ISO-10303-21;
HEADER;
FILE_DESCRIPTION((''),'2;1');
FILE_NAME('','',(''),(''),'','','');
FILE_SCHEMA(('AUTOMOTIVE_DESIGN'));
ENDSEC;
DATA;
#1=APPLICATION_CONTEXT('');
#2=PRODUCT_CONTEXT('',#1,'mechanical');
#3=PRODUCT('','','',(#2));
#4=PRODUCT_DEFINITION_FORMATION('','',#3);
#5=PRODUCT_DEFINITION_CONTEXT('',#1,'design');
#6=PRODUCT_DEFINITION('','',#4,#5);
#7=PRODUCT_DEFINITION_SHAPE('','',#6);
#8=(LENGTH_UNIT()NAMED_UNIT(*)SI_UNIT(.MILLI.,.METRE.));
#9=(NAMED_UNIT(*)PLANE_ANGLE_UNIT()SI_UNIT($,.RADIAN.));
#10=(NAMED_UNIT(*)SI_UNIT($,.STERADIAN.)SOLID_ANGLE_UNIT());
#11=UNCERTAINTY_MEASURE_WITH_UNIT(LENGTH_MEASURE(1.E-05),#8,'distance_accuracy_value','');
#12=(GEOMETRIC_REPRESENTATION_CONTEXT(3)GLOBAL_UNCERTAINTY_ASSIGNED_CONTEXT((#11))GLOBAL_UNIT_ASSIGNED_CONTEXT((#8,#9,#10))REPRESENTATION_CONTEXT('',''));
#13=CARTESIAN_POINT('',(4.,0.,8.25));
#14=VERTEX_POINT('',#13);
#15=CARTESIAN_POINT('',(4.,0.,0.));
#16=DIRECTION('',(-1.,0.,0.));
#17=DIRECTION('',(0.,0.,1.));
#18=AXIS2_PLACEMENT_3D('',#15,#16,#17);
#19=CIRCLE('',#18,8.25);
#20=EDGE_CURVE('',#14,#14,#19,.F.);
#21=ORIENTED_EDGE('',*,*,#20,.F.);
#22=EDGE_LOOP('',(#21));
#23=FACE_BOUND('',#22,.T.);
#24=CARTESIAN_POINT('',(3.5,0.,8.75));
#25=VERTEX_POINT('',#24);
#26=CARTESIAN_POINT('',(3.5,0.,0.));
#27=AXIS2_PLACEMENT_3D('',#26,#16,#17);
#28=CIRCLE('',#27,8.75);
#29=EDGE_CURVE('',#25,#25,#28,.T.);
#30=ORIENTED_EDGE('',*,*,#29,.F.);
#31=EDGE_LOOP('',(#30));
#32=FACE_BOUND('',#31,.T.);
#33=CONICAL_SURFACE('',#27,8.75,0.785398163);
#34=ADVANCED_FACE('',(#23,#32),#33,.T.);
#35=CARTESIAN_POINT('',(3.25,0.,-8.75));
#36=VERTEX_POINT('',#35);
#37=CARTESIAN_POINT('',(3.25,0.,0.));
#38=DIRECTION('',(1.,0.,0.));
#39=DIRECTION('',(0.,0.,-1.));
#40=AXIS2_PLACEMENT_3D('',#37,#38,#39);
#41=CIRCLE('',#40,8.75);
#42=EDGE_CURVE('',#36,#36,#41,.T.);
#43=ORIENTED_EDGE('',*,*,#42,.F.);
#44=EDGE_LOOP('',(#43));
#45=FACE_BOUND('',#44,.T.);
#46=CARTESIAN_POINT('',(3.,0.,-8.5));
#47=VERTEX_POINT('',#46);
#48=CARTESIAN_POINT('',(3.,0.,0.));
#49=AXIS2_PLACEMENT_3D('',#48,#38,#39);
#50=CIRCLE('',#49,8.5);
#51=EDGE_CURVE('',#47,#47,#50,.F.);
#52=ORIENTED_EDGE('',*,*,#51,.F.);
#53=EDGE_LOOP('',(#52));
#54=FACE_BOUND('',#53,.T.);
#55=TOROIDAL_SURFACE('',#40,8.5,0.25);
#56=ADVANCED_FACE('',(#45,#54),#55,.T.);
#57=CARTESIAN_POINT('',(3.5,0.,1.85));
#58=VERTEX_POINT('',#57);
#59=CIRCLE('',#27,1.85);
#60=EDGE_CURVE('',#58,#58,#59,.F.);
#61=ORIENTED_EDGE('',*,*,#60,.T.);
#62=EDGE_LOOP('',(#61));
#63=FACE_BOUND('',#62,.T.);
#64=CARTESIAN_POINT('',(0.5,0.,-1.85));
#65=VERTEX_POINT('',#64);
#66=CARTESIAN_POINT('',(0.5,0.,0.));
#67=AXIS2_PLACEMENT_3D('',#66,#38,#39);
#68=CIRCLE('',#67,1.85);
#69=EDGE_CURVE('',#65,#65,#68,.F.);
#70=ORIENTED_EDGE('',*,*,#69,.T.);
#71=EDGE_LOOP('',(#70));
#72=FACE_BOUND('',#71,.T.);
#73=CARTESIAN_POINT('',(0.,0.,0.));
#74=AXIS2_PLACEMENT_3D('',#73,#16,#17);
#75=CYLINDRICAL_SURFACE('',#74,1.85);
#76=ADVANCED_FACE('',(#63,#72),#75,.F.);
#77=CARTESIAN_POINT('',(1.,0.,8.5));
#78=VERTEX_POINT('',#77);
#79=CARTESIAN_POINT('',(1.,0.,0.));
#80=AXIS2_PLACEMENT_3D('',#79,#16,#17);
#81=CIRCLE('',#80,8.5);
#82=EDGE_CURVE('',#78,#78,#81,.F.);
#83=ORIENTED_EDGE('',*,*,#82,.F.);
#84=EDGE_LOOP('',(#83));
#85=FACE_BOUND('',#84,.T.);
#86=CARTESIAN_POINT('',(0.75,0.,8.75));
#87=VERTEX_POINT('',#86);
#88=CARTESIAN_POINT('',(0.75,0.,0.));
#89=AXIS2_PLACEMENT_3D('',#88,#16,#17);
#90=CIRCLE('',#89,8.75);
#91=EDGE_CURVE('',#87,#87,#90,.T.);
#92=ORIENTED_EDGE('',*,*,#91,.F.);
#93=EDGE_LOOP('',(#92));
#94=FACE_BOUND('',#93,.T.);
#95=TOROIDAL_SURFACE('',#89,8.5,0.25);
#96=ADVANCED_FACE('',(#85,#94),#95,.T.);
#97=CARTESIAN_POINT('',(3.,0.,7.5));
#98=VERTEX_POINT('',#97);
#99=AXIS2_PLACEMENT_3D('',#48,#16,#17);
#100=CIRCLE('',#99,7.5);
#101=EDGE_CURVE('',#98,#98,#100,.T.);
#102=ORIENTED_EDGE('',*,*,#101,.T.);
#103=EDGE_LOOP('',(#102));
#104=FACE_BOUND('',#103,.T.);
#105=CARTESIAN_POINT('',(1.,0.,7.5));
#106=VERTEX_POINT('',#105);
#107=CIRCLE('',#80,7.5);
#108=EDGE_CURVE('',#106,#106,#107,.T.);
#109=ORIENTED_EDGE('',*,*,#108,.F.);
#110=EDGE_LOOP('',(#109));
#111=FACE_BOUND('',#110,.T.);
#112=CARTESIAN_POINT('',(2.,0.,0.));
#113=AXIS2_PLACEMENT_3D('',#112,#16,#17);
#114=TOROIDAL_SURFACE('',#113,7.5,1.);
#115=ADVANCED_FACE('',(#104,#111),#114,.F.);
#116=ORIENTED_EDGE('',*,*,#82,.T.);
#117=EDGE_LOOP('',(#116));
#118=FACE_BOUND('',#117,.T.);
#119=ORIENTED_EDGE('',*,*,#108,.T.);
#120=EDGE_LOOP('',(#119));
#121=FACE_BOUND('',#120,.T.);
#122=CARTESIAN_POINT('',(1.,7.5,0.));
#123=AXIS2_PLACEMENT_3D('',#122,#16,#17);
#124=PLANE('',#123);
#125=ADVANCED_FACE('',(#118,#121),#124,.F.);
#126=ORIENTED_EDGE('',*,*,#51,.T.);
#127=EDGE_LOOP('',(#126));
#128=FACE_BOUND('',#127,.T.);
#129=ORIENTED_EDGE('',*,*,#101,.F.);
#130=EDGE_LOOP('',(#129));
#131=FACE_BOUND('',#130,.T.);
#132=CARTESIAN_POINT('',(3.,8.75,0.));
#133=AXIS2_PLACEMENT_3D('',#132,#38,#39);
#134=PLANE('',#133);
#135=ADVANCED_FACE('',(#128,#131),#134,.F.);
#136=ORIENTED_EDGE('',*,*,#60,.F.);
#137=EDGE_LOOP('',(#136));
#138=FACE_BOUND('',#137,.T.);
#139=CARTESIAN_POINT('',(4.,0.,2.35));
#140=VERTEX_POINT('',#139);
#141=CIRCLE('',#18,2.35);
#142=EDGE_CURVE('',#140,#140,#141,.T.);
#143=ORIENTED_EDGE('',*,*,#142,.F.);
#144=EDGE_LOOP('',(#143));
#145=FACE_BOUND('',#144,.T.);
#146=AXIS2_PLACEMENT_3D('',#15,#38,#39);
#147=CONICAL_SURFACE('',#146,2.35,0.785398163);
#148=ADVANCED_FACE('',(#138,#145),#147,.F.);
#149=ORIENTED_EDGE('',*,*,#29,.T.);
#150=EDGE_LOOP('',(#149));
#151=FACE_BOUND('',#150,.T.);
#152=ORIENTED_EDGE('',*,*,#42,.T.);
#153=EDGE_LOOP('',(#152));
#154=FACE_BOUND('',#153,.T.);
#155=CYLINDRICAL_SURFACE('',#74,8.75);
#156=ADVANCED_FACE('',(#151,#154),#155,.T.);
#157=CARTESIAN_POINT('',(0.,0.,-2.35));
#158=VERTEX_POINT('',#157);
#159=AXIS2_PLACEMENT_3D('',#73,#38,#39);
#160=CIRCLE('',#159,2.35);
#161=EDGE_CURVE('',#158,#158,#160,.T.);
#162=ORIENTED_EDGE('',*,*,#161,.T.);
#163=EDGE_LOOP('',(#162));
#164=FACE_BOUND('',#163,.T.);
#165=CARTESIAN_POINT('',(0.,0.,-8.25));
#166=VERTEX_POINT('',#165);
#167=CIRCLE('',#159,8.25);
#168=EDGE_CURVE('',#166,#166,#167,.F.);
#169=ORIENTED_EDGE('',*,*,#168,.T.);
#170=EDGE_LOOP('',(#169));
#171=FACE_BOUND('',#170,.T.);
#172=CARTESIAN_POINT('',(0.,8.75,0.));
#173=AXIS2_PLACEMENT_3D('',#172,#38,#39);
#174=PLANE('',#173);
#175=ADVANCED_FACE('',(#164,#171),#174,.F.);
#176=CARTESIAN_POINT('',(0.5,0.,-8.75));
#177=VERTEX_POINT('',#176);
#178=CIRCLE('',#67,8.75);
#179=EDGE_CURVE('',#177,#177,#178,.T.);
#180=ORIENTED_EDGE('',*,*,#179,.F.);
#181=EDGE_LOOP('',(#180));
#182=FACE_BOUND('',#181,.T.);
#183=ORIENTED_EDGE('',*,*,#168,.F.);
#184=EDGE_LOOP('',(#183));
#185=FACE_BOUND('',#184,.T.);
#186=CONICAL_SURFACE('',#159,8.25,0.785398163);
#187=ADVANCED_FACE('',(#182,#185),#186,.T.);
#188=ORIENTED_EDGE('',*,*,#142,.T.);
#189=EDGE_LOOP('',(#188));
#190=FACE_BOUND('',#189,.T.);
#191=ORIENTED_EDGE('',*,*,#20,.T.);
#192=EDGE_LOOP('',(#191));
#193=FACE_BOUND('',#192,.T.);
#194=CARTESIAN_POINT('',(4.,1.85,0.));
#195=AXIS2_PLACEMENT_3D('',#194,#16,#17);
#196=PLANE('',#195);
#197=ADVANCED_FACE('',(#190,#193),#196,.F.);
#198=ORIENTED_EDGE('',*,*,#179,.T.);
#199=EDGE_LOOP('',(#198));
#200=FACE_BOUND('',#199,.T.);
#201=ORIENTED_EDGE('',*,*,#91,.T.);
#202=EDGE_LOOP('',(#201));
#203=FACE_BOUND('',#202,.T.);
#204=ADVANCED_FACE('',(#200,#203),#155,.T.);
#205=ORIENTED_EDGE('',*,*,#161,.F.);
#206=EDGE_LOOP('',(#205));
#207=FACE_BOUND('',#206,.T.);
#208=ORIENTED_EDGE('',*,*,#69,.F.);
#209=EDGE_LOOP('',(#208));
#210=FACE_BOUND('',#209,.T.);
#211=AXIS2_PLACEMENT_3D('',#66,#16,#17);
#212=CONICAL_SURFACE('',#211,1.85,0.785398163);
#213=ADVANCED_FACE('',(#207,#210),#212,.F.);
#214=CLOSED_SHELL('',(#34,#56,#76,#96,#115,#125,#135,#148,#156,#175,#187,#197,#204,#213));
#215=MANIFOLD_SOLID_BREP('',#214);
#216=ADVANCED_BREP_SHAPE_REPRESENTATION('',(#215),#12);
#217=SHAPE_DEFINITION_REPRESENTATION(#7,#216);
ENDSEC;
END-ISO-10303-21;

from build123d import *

# Parameters (mm, degrees)
FILLET1_R     = 0.25
CHAMFER1_SIZE = 0.5


with BuildPart() as part:
    # Sketch1 → Revolve1 (revolve)
    with BuildSketch(Plane.XY, mode=Mode.PRIVATE) as revolve1_sk:
        with BuildLine():
            Line((0, 8.75), (0, 1.85))
            Line((0, 1.85), (4, 1.85))
            Line((4, 1.85), (4, 8.75))
            Line((4, 8.75), (3, 8.75))
            Line((3, 8.75), (3, 7.5))
            ThreePointArc((3, 7.5), (2, 6.5), (1, 7.5))
            Line((1, 7.5), (1, 8.75))
            Line((1, 8.75), (0, 8.75))
        make_face()
    revolve(revolve1_sk.sketch.rotate(Axis((0, 0, 0), (1, 0, 0)), 90), axis=Axis((0, 0, 0), (1, 0, 0)))

    # Fillet1
    fillet1_edges = [part.edges().sort_by_distance(p)[0] for p in [
        (1, 0, -8.75),
        (3, 0, -8.75),
    ]]
    fillet(fillet1_edges, radius=FILLET1_R)

    # Chamfer1
    chamfer1_edges = [part.edges().sort_by_distance(p)[0] for p in [
        (0, 0, -8.75),
        (4, 0, -8.75),
        (4, 0, -1.85),
        (0, 0, -1.85),
    ]]
    chamfer(chamfer1_edges, length=CHAMFER1_SIZE)


solid = part.part
